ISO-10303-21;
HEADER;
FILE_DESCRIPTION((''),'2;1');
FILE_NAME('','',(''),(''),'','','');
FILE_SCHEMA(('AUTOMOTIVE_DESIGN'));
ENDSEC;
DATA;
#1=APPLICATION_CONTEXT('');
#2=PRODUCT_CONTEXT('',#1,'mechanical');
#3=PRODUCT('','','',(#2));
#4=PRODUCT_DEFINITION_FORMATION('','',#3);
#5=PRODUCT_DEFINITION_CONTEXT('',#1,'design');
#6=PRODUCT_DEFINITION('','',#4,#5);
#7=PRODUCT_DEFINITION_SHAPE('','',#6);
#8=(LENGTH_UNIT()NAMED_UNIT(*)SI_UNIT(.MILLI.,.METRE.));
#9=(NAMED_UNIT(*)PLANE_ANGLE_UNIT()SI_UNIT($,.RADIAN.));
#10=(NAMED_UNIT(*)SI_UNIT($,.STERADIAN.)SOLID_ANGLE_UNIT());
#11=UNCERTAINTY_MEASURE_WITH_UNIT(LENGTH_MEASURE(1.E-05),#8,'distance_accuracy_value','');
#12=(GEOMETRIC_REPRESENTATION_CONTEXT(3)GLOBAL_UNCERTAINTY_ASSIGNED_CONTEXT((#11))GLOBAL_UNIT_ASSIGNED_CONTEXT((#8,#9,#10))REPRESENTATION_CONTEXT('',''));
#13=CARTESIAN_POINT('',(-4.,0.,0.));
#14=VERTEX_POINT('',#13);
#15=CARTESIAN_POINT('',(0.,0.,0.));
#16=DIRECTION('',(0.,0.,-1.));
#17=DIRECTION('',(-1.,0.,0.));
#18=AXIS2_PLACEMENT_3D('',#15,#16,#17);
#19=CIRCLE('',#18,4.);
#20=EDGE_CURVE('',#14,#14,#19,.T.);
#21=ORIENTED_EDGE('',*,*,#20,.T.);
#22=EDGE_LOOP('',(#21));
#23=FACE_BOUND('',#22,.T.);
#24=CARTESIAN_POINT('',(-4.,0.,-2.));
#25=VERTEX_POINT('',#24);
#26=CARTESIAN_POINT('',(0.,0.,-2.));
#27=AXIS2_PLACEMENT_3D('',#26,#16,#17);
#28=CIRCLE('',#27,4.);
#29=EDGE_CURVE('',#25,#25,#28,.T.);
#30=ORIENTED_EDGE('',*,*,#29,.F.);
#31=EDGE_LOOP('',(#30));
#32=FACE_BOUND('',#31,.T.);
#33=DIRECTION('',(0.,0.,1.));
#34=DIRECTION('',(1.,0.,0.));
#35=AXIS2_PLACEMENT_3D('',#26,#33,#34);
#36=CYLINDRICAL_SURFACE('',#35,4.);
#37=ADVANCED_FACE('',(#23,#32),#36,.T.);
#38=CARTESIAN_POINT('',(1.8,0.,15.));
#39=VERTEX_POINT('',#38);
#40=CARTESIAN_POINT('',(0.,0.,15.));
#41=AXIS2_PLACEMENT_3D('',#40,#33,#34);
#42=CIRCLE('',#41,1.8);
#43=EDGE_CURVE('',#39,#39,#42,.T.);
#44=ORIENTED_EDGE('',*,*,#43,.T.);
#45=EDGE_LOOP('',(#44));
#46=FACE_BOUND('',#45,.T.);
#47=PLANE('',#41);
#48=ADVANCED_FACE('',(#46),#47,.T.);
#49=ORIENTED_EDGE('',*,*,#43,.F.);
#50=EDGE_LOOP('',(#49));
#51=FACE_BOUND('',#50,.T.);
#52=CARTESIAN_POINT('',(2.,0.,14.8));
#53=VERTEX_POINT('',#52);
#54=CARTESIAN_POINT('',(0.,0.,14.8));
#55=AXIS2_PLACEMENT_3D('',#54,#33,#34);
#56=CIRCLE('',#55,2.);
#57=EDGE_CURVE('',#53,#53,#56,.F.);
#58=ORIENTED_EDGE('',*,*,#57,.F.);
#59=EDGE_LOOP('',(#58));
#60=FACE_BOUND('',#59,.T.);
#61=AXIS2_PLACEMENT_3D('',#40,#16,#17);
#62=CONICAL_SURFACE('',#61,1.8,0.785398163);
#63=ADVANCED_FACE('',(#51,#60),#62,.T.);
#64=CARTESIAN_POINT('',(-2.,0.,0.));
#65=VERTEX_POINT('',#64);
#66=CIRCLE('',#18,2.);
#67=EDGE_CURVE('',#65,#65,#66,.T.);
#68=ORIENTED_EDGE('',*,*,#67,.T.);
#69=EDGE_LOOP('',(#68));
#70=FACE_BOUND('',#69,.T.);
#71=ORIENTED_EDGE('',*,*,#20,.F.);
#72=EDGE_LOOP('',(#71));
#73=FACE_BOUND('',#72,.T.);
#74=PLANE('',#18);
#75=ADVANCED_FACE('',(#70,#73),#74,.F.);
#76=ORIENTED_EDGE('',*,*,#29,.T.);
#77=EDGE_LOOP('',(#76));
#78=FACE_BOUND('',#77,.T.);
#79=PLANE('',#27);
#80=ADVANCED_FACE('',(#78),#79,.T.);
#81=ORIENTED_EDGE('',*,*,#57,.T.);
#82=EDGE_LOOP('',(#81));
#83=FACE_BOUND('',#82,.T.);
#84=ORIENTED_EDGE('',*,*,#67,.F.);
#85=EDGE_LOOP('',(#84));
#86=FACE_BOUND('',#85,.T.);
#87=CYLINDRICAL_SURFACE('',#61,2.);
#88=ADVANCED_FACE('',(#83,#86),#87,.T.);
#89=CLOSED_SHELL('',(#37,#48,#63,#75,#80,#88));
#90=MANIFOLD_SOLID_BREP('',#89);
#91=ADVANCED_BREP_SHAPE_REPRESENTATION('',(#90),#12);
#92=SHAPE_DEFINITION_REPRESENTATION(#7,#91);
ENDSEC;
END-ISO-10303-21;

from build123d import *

# Parameters (mm, degrees)
SKETCH_1_R      = 2
EXTRUDE_1_DEPTH = 15
SKETCH_2_R      = 4
EXTRUDE_2_DEPTH = 2
CHAMFER_1_SIZE  = 0.2


with BuildPart() as part:
    # 草图1 → 拉伸1 (new body)
    with BuildSketch(Plane.XY):
        Circle(SKETCH_1_R)
    extrude(amount=EXTRUDE_1_DEPTH)

    # 草图2 → 拉伸2 (add)
    with BuildSketch(Plane(origin=(0, 0, 0), x_dir=(-1, 0, 0), z_dir=(0, 0, -1))):
        Circle(SKETCH_2_R)
    extrude(amount=EXTRUDE_2_DEPTH)

    # 倒角1
    chamfer_1_edges = [part.edges().sort_by_distance(p)[0] for p in [
        (-2, 0, 15),
    ]]
    chamfer(chamfer_1_edges, length=CHAMFER_1_SIZE)


solid = part.part
